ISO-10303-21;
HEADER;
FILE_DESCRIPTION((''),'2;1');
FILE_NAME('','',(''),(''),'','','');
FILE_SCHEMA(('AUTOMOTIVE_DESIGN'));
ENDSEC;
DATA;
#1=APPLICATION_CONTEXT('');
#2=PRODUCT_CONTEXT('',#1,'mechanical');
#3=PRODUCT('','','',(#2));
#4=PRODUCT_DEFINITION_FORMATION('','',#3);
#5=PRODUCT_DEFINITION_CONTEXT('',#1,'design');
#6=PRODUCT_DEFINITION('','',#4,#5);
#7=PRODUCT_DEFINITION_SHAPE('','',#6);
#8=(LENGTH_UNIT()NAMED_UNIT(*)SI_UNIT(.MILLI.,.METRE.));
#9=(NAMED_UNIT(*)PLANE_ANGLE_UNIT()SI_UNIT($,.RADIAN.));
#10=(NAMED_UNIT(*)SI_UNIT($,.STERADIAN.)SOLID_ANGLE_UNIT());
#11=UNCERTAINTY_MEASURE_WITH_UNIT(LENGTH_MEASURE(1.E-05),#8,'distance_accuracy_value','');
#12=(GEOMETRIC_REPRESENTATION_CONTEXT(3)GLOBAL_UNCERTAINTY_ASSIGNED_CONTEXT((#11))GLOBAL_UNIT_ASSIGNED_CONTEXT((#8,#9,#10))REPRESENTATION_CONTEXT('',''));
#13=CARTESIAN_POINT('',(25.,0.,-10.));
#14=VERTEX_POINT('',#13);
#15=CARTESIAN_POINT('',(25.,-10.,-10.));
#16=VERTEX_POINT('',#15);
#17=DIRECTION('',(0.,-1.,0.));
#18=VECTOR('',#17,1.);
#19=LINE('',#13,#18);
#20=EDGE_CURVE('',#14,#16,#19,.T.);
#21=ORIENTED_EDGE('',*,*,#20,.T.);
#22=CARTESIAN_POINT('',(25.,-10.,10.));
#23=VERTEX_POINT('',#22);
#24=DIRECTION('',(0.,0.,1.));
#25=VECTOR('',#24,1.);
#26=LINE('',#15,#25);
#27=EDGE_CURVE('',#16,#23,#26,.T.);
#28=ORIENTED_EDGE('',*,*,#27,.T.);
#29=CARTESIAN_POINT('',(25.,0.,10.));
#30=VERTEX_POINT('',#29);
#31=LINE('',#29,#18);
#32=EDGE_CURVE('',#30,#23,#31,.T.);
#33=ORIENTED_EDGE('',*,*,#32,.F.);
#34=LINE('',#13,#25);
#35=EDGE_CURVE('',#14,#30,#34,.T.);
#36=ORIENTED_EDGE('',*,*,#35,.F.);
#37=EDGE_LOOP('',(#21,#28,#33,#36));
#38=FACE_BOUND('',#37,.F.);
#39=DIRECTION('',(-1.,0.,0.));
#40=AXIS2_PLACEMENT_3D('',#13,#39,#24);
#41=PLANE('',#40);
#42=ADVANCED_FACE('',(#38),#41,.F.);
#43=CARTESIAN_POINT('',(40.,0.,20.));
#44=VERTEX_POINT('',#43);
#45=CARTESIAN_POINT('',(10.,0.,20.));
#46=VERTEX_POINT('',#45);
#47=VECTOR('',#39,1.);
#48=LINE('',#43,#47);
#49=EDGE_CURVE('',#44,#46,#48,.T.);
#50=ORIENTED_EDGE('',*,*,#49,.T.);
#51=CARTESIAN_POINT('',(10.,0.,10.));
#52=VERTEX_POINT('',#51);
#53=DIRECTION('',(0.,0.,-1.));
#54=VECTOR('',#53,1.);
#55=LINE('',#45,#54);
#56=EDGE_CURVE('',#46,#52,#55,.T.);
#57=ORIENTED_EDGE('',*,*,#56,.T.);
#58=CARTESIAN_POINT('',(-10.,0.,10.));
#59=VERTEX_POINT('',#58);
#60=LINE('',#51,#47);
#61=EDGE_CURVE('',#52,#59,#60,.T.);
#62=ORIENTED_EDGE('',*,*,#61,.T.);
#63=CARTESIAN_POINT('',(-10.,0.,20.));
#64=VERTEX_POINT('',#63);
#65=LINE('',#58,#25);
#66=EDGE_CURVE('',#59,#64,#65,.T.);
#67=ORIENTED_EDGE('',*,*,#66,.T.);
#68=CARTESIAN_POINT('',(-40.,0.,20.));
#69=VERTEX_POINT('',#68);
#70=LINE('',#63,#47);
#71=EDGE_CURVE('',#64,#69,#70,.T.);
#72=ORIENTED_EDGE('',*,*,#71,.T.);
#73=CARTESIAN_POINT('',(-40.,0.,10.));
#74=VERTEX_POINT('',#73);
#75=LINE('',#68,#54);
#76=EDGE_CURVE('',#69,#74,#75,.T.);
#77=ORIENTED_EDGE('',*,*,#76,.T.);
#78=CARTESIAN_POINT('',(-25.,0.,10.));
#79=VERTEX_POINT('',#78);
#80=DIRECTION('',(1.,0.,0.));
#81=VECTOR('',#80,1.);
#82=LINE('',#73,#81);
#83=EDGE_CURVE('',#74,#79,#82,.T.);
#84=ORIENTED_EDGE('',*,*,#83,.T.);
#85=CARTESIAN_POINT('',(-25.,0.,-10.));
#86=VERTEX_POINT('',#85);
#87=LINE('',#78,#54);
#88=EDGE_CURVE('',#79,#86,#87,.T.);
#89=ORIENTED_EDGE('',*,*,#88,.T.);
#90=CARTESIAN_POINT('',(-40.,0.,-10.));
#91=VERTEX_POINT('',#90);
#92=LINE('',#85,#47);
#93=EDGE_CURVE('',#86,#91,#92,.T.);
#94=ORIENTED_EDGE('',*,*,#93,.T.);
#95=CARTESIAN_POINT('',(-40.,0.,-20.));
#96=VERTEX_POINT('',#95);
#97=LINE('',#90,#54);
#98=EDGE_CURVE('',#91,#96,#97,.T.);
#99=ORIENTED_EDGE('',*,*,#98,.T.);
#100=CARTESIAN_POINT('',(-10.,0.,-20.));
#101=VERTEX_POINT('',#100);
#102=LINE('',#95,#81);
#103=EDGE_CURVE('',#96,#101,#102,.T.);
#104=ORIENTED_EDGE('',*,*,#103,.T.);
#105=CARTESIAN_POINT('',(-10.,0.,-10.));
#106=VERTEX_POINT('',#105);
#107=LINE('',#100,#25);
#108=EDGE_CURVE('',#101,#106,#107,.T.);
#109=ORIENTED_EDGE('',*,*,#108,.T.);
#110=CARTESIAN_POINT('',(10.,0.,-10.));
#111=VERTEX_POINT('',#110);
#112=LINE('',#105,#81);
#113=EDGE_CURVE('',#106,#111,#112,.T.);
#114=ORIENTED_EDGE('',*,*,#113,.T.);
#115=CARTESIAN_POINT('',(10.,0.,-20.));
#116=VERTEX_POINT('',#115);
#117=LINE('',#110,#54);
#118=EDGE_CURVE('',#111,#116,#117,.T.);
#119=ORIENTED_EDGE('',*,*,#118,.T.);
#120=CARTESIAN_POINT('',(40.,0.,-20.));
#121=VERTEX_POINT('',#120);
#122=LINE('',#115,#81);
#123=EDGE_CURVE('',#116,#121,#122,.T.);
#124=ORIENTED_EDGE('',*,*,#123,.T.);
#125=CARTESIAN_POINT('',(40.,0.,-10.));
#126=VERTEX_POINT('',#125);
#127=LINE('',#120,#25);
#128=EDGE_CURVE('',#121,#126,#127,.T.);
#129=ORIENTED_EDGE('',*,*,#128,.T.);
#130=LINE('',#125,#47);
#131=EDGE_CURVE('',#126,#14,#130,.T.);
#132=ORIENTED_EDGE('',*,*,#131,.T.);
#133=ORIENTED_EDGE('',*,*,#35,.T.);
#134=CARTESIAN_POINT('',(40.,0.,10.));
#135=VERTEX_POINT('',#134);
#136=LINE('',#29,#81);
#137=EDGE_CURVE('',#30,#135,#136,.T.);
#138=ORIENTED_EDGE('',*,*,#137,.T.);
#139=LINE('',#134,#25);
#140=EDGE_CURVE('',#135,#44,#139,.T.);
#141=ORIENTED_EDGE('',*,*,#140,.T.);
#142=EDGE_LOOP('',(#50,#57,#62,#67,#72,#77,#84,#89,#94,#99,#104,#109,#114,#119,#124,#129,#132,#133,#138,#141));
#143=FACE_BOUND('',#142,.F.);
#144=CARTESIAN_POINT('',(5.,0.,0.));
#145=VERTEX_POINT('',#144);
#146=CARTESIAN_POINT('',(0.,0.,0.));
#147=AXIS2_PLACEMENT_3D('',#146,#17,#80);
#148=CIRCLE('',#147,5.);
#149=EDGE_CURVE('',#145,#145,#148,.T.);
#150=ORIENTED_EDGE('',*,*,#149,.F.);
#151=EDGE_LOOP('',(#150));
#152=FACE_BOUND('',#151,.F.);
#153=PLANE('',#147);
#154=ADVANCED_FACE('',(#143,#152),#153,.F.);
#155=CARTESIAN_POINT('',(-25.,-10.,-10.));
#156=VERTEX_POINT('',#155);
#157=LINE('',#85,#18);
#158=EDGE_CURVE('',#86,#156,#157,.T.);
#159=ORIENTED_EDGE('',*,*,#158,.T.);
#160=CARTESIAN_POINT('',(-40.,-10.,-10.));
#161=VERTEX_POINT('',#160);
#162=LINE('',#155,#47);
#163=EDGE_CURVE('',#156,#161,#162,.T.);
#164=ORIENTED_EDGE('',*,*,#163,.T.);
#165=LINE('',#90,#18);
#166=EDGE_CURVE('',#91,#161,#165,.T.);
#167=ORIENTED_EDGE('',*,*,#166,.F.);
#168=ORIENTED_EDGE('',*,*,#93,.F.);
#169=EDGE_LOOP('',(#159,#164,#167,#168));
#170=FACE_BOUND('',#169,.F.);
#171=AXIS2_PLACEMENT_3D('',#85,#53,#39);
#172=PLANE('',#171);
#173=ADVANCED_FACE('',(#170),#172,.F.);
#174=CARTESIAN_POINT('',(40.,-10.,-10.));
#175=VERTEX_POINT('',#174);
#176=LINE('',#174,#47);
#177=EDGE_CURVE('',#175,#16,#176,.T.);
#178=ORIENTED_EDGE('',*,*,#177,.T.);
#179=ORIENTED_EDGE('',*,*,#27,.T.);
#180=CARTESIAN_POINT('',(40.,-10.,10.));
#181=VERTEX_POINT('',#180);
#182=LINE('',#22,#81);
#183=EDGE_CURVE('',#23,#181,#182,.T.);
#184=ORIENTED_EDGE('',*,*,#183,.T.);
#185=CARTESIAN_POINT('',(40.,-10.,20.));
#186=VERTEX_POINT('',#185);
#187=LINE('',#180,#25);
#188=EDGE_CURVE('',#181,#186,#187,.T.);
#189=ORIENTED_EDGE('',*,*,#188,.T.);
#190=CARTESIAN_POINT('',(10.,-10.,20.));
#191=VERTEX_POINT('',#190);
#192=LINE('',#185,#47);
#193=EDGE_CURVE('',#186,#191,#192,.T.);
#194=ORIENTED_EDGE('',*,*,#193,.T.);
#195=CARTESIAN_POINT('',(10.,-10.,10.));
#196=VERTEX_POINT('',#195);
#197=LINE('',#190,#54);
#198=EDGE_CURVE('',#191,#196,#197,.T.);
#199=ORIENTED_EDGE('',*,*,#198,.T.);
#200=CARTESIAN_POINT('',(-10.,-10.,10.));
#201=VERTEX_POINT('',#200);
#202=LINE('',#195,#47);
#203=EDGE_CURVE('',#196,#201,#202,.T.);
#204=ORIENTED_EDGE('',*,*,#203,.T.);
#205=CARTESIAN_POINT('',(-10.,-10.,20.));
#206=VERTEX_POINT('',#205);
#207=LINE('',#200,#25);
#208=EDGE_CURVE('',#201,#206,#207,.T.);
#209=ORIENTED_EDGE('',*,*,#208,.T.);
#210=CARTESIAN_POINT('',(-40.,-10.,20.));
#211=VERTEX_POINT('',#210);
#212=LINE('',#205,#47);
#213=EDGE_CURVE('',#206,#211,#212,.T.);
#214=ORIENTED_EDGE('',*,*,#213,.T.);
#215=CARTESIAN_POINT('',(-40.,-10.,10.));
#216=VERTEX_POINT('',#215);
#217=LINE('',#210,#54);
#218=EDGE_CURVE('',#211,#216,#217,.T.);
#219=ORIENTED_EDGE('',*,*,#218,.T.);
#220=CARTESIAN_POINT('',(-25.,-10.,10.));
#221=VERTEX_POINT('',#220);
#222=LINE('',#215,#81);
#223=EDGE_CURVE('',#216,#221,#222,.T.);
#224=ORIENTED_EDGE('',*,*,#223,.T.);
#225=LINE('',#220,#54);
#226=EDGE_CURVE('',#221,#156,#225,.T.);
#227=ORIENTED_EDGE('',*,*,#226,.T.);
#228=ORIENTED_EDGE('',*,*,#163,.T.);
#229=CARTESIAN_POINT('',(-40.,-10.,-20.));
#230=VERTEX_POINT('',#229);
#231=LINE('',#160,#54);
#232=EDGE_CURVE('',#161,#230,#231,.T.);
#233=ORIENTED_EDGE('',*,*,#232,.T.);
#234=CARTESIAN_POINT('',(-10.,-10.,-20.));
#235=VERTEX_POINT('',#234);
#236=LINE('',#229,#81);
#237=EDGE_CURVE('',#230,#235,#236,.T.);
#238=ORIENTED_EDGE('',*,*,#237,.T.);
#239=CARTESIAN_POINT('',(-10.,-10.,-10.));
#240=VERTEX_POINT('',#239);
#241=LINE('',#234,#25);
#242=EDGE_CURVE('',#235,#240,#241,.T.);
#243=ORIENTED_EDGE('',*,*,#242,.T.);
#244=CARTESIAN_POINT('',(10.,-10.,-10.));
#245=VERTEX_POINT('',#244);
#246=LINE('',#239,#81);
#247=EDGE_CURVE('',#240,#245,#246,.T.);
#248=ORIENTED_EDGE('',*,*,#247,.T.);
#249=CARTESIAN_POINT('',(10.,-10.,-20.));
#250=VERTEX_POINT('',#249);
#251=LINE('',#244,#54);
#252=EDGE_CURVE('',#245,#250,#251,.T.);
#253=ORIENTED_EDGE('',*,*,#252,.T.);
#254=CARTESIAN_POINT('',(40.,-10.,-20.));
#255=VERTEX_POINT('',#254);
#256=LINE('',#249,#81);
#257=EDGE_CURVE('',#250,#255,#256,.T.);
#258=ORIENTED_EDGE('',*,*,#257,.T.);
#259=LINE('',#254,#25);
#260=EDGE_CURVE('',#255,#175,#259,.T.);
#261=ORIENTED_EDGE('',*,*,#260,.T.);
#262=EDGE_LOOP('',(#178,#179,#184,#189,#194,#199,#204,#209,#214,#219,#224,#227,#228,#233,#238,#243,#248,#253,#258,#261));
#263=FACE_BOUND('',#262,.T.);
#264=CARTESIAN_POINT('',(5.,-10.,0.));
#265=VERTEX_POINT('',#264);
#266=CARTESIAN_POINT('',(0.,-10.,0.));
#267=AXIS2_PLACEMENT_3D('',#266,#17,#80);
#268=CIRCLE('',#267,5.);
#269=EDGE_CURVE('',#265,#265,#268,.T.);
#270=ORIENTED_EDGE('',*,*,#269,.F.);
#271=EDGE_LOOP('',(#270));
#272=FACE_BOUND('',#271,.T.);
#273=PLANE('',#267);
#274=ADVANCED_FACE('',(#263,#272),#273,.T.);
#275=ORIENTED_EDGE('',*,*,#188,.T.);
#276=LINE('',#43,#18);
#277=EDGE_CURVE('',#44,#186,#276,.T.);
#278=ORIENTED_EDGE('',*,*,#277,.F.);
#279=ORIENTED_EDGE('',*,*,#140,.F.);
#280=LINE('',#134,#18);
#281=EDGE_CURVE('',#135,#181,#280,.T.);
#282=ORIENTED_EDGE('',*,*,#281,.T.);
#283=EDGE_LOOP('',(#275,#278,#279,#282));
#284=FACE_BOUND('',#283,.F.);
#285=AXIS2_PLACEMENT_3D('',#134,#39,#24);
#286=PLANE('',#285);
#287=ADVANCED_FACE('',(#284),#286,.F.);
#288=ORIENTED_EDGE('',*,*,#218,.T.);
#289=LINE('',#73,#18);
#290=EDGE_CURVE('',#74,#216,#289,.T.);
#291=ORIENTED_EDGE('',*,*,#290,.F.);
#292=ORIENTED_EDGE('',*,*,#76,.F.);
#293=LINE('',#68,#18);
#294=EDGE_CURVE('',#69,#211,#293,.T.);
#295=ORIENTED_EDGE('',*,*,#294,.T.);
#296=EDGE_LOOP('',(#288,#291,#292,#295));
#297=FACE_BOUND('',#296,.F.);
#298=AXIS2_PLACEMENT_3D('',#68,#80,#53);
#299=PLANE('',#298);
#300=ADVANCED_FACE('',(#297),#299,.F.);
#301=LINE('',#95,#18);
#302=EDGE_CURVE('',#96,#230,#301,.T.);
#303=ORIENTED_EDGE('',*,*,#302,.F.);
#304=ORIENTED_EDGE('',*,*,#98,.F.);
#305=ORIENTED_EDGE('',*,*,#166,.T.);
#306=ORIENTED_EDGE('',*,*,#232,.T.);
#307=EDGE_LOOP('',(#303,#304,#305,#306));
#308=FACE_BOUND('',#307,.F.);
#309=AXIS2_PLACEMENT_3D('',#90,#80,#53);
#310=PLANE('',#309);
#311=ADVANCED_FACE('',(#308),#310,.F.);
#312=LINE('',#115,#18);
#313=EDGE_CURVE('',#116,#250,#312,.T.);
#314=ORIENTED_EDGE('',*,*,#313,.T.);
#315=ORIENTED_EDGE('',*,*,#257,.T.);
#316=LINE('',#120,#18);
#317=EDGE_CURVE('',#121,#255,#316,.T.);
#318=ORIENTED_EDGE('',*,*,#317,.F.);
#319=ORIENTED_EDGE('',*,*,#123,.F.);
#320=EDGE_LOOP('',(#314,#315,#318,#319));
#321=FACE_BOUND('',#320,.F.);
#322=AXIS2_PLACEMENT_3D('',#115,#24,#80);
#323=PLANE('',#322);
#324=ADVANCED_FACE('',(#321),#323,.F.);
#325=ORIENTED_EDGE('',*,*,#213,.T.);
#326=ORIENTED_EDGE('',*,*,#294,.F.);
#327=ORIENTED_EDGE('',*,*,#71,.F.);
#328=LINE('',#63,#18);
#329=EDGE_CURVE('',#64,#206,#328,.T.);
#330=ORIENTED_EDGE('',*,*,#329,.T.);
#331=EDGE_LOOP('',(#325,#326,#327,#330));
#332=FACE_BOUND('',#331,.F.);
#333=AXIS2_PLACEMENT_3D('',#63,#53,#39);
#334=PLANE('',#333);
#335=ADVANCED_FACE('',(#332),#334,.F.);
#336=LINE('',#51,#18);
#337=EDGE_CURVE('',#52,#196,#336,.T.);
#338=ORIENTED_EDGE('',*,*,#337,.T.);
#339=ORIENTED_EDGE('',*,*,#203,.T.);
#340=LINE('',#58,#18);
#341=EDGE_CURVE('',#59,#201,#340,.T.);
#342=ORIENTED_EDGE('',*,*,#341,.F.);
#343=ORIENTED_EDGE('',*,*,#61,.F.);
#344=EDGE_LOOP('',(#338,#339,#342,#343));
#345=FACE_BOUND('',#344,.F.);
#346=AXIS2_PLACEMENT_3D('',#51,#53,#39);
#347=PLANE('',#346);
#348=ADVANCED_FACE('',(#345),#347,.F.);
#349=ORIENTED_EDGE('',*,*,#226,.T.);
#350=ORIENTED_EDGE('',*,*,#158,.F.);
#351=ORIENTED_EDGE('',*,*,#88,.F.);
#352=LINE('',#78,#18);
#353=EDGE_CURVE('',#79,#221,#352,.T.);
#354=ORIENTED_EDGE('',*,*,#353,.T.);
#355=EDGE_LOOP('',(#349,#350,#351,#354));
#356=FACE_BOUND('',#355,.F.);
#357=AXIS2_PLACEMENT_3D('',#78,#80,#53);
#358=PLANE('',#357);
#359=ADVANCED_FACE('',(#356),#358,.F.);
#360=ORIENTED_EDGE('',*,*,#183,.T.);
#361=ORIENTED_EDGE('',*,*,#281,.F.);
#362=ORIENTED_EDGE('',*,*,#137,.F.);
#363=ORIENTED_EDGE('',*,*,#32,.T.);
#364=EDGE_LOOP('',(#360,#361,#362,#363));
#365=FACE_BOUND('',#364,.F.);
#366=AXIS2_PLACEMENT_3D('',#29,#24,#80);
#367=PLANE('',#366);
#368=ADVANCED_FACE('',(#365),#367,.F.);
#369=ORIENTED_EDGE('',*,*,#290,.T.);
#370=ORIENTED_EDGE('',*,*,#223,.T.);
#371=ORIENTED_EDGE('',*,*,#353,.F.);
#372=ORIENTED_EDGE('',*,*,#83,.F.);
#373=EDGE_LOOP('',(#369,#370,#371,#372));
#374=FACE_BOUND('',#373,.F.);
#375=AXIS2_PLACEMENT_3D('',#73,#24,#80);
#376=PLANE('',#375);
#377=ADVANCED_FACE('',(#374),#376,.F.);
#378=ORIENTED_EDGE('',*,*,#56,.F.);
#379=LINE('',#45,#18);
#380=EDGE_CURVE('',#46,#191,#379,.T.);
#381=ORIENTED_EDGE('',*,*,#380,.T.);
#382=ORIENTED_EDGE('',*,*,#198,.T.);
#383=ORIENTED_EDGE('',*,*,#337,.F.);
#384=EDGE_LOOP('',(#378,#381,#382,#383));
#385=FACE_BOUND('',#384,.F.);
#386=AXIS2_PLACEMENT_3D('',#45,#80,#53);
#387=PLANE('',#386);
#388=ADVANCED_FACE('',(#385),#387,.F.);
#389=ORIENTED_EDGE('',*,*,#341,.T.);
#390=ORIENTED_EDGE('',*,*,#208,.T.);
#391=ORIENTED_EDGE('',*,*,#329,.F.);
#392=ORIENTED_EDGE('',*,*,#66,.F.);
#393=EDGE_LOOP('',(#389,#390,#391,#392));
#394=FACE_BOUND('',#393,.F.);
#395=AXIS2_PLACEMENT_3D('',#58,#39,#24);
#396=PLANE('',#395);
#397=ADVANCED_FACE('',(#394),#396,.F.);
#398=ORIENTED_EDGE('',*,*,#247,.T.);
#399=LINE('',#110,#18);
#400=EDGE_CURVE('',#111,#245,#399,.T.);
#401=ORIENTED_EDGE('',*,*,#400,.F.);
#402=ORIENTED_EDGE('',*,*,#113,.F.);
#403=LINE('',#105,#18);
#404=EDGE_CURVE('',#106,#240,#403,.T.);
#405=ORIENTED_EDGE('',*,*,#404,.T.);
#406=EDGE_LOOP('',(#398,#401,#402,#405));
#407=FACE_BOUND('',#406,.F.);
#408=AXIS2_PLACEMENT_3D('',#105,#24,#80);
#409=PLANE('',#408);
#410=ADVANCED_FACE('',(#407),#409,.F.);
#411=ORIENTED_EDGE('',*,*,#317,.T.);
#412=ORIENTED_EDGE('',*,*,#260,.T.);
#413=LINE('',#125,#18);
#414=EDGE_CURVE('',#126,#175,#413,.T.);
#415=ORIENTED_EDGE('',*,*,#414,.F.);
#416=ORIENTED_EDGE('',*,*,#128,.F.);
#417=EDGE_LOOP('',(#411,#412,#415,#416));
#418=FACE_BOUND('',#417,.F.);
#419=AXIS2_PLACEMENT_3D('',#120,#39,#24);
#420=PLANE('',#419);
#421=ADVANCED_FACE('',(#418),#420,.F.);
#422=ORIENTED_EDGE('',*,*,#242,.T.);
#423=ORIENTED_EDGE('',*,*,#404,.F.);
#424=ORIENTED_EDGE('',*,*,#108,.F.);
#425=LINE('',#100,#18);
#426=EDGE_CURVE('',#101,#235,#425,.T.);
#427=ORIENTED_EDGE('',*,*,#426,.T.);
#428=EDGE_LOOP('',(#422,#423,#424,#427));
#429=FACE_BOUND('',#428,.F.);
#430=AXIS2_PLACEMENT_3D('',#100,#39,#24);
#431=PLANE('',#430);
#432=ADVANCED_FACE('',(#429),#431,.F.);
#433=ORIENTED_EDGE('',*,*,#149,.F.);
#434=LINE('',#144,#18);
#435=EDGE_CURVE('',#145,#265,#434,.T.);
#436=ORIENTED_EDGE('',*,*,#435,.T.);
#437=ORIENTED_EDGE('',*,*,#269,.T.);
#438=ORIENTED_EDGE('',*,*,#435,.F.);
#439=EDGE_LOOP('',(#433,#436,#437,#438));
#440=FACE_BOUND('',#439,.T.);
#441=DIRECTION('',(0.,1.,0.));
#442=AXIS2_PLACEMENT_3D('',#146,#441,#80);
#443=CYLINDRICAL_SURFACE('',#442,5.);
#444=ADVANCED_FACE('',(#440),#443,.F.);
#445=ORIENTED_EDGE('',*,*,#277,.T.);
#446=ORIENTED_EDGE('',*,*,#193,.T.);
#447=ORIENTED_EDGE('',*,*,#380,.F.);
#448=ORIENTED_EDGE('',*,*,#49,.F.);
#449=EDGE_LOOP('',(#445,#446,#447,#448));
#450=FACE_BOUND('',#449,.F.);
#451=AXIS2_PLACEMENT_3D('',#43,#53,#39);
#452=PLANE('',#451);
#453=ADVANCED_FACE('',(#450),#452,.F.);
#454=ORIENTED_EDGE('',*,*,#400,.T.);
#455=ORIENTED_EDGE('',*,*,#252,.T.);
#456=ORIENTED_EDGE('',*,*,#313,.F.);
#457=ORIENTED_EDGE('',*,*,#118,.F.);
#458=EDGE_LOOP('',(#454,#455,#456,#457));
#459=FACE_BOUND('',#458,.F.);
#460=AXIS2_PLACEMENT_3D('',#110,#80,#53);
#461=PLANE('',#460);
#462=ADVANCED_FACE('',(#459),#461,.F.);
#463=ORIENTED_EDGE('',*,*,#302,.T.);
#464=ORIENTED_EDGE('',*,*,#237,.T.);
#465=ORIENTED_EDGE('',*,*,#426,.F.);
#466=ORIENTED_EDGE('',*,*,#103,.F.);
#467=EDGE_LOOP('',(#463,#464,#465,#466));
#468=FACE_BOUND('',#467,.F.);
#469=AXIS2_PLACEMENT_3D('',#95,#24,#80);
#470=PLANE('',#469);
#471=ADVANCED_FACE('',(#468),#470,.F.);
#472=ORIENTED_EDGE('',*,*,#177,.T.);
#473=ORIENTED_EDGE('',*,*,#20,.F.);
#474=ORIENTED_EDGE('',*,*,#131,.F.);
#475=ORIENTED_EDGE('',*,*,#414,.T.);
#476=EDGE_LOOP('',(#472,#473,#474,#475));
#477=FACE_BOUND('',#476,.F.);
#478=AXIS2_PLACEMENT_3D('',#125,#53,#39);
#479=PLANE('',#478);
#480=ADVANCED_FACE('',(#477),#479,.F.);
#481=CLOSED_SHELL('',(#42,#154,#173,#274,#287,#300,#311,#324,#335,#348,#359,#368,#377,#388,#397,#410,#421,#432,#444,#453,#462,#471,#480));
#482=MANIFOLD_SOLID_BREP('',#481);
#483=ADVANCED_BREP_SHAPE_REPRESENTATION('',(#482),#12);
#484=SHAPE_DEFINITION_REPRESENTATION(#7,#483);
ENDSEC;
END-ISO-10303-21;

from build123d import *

# Parameters (mm, degrees)
F0_R     = 5
F1_DEPTH = 10


with BuildPart() as f1:
    # F0 (on Front) → F1 (new body)
    with BuildSketch(Plane.XZ):
        Polygon((-10, -10), (0, -10), (10, -10), (10, -20), (40, -20), (40, -10), (25, -10), (25, 10), (40, 10), (40, 20), (10, 20), (10, 10), (0, 10), (-10, 10), (-10, 20), (-40, 20), (-40, 10), (-25, 10), (-25, -10), (-40, -10), (-40, -20), (-10, -20), align=None)
        Circle(F0_R, mode=Mode.SUBTRACT)
    extrude(amount=F1_DEPTH)


solid = f1.part
